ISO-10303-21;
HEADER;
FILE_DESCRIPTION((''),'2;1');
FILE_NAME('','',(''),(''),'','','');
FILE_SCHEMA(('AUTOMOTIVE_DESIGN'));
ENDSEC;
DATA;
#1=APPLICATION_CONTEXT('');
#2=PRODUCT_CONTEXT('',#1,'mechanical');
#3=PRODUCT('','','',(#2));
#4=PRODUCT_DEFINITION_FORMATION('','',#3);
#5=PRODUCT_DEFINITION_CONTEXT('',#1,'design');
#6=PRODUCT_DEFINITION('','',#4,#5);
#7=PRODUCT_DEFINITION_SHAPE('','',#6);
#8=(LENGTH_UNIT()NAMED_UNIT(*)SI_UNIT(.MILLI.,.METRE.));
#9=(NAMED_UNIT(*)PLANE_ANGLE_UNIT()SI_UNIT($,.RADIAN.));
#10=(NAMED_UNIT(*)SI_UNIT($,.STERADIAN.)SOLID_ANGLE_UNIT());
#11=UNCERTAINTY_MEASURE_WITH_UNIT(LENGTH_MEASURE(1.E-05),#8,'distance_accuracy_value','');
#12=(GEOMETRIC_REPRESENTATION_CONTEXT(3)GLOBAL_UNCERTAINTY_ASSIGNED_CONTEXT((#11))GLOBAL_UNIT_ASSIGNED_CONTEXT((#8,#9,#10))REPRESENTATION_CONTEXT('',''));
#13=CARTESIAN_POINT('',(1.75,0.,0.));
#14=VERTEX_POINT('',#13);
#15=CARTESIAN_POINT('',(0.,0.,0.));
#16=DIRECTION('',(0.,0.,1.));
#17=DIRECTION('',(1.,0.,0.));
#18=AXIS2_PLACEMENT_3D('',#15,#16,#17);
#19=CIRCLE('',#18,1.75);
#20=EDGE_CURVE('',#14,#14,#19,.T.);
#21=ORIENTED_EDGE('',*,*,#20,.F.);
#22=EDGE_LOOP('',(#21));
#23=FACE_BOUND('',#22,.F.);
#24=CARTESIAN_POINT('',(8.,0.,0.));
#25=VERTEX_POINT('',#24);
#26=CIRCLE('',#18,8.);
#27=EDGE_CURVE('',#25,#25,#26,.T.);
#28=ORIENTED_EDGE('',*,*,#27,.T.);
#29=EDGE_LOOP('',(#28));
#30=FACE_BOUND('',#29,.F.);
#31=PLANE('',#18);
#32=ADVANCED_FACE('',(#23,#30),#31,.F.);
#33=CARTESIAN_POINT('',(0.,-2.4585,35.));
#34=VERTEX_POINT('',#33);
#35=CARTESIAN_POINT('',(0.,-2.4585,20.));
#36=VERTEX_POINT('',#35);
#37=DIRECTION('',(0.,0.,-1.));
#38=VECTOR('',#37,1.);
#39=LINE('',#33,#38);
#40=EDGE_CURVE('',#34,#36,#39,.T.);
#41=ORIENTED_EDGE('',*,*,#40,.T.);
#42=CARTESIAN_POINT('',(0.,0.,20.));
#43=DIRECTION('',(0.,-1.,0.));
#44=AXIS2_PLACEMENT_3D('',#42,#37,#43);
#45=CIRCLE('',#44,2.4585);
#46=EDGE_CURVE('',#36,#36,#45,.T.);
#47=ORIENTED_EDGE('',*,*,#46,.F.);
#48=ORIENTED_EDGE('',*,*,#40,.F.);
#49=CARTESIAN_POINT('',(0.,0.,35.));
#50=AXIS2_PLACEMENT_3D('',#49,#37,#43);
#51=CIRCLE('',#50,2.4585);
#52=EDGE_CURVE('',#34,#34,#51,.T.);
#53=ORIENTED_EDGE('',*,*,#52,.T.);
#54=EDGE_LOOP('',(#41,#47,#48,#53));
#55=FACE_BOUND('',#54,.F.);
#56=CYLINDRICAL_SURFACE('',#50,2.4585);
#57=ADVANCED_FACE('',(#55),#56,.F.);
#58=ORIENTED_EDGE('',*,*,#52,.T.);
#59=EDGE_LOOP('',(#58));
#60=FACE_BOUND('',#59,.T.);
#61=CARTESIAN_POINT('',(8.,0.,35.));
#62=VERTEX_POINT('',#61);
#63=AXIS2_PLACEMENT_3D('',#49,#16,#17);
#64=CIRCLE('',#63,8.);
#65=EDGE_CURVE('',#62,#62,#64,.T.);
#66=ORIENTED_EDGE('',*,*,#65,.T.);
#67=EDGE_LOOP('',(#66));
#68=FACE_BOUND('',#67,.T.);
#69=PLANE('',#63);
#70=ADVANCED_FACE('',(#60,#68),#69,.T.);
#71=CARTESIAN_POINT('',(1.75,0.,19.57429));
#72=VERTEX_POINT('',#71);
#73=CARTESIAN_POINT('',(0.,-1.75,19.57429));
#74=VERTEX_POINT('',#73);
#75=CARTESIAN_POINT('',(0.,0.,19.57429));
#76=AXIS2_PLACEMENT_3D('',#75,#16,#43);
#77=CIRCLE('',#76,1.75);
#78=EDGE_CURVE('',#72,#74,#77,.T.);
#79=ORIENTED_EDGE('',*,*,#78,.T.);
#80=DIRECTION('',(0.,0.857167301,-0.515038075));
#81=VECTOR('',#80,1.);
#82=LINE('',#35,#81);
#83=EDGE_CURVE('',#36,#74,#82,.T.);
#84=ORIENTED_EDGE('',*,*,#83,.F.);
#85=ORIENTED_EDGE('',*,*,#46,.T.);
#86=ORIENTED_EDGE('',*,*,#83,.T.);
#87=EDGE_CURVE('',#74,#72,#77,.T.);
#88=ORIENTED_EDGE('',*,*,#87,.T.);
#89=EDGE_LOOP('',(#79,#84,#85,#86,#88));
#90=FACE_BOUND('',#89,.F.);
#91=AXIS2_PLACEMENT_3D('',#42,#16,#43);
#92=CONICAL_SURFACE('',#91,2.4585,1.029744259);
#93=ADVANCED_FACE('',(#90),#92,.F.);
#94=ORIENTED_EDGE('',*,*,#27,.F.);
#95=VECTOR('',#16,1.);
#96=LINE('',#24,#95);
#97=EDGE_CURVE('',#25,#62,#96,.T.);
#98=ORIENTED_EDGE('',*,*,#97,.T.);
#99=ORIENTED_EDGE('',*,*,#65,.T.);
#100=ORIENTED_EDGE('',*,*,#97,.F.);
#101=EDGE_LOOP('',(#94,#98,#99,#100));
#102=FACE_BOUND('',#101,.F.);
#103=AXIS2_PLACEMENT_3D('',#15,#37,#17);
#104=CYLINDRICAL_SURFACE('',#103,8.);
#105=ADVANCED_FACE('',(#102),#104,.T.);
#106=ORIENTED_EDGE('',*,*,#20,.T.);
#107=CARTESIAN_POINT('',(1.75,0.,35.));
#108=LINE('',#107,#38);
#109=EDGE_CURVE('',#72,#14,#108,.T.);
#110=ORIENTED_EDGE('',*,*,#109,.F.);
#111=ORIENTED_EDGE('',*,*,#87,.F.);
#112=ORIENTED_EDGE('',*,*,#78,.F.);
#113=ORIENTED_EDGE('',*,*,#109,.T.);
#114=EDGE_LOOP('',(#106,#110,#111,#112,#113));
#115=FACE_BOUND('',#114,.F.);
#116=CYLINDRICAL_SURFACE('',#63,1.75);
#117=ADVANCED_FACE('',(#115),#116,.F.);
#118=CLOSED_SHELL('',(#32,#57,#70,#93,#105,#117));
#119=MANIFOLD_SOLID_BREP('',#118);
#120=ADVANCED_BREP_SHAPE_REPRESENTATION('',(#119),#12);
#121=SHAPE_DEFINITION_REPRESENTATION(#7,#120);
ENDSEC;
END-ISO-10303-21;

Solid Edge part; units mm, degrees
sketch "Sketch1" plane through (0, 0, 0) normal (0, 0, 1) x (1, 0, 0)
  circle A0 centre (0, 0) radius 8
extrude "Protrusion1" add sketch "Sketch1" along normal blind 35
sketch "Sketch2" plane through (0, 0, 35) normal (0, 0, 1) x (1, 0, 0)
  circle A0 centre (0, 0) radius 1.75
extrude "Cutout1" cut sketch "Sketch2" against normal through all
hole "Hole_1" at (0, 0, 35) direction (0, 0, -1) diameter 4.917 depth 15 tip angle 118 thread major 6 thread length 15
extrude "Cutout2" [suppressed]
properties material "Polyurethene"
